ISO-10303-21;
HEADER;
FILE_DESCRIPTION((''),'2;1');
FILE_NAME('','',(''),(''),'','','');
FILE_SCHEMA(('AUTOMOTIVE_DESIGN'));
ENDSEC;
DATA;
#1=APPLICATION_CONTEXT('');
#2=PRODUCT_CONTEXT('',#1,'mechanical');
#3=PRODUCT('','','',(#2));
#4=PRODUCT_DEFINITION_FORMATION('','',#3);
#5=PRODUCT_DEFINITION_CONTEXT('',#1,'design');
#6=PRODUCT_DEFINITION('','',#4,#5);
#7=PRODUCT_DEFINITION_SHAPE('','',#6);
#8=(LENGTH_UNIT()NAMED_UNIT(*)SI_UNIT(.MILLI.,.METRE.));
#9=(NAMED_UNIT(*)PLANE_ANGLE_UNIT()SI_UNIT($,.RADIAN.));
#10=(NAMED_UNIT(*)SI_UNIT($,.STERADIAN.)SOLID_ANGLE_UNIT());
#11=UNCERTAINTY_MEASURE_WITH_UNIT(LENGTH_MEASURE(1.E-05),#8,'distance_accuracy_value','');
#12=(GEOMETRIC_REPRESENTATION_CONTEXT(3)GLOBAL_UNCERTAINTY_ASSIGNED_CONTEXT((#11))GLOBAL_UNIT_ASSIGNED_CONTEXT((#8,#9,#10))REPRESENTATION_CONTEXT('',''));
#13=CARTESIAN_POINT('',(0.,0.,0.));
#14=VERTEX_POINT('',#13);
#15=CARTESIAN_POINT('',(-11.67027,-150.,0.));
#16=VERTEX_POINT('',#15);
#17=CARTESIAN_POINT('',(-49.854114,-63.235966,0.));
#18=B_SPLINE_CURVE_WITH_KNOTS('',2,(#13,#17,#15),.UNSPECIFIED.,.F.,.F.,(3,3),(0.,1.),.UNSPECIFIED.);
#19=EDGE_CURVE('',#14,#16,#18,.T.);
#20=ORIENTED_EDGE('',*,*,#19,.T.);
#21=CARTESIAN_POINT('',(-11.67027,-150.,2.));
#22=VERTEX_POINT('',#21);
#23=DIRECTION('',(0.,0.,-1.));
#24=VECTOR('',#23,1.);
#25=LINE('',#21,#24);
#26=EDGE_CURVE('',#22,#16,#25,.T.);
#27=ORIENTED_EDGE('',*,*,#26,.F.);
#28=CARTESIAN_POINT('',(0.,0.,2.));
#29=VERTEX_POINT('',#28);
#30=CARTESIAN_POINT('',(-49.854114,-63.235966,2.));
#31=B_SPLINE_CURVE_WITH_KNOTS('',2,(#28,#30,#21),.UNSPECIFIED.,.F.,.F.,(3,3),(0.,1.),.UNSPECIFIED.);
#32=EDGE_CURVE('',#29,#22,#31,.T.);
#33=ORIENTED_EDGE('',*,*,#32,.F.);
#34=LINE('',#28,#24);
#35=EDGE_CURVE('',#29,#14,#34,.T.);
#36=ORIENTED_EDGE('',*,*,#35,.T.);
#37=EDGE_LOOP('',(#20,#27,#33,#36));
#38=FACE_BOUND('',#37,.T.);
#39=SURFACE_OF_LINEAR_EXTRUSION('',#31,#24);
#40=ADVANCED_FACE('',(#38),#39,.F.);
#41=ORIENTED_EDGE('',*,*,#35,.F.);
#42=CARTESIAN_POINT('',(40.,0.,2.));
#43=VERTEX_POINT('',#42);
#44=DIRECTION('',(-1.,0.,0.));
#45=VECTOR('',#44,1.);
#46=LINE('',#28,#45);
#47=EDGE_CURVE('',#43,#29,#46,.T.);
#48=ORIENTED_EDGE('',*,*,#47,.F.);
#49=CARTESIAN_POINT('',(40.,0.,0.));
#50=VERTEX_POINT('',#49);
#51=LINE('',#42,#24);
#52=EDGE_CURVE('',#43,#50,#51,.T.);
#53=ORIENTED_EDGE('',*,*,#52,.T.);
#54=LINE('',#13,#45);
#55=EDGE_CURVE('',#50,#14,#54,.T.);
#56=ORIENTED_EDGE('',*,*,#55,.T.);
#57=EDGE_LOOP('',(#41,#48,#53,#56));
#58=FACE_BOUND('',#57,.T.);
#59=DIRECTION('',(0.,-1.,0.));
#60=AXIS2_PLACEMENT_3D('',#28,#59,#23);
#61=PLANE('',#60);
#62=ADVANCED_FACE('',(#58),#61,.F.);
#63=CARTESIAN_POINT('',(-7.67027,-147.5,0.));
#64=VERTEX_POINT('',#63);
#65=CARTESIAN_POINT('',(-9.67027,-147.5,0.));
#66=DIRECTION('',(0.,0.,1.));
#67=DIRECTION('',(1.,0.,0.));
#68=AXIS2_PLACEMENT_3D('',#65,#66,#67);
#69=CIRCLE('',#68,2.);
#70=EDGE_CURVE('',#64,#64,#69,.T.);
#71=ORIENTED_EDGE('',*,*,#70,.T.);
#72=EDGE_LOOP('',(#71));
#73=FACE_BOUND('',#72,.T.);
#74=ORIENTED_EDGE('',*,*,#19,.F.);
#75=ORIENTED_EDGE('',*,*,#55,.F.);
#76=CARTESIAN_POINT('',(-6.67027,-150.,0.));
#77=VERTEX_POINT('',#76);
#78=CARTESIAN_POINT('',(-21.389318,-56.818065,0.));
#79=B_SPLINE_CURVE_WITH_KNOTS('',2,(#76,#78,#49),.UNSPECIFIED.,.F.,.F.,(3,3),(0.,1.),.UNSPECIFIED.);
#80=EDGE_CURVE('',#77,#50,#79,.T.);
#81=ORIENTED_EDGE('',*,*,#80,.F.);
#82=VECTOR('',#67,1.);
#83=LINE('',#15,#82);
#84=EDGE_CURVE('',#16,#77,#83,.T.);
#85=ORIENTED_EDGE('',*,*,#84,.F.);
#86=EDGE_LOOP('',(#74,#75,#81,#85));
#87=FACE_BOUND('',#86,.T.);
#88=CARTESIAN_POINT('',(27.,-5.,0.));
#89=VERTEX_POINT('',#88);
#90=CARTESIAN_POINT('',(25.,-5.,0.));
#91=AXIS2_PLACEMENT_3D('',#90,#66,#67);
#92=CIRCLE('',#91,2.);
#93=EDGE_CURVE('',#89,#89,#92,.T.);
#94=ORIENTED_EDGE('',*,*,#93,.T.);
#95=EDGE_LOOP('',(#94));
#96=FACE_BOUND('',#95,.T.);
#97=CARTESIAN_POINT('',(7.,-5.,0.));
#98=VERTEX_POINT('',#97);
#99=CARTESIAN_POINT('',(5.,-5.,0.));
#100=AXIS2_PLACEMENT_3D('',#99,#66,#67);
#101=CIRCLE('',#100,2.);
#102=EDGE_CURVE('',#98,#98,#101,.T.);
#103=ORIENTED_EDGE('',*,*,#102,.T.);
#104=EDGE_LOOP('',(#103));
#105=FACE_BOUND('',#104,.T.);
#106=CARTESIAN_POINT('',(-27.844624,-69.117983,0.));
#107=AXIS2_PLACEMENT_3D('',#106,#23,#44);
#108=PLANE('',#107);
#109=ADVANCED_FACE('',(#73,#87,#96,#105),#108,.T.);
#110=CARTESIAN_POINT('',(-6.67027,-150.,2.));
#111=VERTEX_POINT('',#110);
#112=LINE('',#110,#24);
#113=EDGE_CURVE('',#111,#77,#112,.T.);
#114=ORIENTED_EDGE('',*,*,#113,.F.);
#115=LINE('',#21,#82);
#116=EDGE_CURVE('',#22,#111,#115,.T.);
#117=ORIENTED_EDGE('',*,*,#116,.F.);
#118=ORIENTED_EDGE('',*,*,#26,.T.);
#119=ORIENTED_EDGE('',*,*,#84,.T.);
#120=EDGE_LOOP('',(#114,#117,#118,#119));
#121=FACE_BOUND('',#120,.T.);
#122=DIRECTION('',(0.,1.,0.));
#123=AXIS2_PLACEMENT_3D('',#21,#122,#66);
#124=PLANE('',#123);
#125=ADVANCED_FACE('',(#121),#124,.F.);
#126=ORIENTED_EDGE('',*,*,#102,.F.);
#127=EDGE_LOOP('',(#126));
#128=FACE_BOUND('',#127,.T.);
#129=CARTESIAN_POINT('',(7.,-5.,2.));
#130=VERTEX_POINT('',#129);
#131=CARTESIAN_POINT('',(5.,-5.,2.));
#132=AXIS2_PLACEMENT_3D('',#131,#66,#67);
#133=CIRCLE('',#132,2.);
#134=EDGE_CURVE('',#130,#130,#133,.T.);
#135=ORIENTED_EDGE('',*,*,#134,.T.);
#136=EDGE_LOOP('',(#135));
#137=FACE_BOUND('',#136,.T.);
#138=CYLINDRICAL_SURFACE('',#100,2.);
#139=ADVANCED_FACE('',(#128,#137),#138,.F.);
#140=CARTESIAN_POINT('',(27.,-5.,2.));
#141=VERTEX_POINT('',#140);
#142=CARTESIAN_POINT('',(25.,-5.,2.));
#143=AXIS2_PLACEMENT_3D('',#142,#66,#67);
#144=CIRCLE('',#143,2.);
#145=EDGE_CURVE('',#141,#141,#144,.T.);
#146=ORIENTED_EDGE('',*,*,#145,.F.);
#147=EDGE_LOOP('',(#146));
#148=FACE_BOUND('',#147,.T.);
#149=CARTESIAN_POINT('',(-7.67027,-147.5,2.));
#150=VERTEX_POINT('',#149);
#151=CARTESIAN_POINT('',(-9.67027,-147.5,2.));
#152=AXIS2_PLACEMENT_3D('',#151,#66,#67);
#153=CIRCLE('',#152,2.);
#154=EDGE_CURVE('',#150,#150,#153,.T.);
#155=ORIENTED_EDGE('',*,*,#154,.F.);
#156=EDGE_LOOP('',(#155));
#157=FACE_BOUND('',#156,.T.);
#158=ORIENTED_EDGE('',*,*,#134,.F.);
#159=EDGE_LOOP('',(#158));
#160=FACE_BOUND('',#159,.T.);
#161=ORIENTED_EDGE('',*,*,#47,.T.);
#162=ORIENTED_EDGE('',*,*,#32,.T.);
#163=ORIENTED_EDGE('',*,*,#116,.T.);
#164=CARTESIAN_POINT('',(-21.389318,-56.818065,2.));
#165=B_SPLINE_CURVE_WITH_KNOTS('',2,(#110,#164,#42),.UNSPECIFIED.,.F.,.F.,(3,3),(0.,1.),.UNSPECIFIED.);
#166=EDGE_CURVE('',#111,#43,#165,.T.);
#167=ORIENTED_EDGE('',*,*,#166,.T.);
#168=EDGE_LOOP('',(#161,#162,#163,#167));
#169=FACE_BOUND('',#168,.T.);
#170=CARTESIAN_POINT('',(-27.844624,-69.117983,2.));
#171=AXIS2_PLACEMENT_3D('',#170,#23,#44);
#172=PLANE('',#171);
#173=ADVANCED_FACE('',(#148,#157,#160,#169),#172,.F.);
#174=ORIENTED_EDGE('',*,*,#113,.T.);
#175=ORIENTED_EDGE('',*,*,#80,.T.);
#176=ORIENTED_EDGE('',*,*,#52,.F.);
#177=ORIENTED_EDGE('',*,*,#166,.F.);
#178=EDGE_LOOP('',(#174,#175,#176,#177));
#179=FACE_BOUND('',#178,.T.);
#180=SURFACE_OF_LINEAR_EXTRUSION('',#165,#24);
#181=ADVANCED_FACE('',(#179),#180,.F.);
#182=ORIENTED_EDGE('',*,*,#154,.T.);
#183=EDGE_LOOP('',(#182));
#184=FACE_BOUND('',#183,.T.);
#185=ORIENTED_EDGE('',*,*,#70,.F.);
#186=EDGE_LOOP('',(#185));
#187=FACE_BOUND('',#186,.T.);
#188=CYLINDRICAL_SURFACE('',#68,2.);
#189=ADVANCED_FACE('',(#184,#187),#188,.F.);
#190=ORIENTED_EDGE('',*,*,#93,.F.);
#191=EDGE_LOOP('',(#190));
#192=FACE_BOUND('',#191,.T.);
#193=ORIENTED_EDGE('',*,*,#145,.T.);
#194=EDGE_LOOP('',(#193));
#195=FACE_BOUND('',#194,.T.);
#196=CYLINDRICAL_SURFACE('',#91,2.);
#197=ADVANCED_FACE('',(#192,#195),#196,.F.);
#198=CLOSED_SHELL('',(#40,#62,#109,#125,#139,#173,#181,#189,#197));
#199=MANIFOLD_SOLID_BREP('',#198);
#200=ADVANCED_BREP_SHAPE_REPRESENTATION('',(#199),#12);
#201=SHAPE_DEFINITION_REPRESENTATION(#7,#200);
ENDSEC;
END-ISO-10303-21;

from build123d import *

# Parameters (mm, degrees)
EXTRUDE_1_DEPTH     = 2
SKETCH_2_R          = 2
CUT_EXTRUDE_1_DEPTH = 3.0000001


with BuildPart() as part:
    # Эскиз1 → Бобышка-Вытянуть1 (new body)
    with BuildSketch(Plane.XY):
        with BuildLine():
            Line((0, 0), (40, 0))
            add(Edge.make_bspline(
                [(40, 0), (-21.389317784, -56.818064534), (-6.67027027, -150)],
                knots=[0, 0, 0, 1, 1, 1], degree=2))
            Line((-6.67027027, -150), (-11.67027027, -150))
            add(Edge.make_bspline(
                [(0, 0), (-49.854113681, -63.235965622), (-11.67027027, -150)],
                knots=[0, 0, 0, 1, 1, 1], degree=2))
        make_face()
    extrude(amount=EXTRUDE_1_DEPTH)

    # Эскиз2 → Вырез-Вытянуть1 (cut, through all)
    with BuildSketch(Plane.XY.offset(2)):
        with Locations((5, -5)):
            Circle(SKETCH_2_R)
        with Locations((25, -5)):
            Circle(SKETCH_2_R)
        with Locations((-9.67027027, -147.5)):
            Circle(SKETCH_2_R)
    extrude(amount=-CUT_EXTRUDE_1_DEPTH, mode=Mode.SUBTRACT)


solid = part.part
